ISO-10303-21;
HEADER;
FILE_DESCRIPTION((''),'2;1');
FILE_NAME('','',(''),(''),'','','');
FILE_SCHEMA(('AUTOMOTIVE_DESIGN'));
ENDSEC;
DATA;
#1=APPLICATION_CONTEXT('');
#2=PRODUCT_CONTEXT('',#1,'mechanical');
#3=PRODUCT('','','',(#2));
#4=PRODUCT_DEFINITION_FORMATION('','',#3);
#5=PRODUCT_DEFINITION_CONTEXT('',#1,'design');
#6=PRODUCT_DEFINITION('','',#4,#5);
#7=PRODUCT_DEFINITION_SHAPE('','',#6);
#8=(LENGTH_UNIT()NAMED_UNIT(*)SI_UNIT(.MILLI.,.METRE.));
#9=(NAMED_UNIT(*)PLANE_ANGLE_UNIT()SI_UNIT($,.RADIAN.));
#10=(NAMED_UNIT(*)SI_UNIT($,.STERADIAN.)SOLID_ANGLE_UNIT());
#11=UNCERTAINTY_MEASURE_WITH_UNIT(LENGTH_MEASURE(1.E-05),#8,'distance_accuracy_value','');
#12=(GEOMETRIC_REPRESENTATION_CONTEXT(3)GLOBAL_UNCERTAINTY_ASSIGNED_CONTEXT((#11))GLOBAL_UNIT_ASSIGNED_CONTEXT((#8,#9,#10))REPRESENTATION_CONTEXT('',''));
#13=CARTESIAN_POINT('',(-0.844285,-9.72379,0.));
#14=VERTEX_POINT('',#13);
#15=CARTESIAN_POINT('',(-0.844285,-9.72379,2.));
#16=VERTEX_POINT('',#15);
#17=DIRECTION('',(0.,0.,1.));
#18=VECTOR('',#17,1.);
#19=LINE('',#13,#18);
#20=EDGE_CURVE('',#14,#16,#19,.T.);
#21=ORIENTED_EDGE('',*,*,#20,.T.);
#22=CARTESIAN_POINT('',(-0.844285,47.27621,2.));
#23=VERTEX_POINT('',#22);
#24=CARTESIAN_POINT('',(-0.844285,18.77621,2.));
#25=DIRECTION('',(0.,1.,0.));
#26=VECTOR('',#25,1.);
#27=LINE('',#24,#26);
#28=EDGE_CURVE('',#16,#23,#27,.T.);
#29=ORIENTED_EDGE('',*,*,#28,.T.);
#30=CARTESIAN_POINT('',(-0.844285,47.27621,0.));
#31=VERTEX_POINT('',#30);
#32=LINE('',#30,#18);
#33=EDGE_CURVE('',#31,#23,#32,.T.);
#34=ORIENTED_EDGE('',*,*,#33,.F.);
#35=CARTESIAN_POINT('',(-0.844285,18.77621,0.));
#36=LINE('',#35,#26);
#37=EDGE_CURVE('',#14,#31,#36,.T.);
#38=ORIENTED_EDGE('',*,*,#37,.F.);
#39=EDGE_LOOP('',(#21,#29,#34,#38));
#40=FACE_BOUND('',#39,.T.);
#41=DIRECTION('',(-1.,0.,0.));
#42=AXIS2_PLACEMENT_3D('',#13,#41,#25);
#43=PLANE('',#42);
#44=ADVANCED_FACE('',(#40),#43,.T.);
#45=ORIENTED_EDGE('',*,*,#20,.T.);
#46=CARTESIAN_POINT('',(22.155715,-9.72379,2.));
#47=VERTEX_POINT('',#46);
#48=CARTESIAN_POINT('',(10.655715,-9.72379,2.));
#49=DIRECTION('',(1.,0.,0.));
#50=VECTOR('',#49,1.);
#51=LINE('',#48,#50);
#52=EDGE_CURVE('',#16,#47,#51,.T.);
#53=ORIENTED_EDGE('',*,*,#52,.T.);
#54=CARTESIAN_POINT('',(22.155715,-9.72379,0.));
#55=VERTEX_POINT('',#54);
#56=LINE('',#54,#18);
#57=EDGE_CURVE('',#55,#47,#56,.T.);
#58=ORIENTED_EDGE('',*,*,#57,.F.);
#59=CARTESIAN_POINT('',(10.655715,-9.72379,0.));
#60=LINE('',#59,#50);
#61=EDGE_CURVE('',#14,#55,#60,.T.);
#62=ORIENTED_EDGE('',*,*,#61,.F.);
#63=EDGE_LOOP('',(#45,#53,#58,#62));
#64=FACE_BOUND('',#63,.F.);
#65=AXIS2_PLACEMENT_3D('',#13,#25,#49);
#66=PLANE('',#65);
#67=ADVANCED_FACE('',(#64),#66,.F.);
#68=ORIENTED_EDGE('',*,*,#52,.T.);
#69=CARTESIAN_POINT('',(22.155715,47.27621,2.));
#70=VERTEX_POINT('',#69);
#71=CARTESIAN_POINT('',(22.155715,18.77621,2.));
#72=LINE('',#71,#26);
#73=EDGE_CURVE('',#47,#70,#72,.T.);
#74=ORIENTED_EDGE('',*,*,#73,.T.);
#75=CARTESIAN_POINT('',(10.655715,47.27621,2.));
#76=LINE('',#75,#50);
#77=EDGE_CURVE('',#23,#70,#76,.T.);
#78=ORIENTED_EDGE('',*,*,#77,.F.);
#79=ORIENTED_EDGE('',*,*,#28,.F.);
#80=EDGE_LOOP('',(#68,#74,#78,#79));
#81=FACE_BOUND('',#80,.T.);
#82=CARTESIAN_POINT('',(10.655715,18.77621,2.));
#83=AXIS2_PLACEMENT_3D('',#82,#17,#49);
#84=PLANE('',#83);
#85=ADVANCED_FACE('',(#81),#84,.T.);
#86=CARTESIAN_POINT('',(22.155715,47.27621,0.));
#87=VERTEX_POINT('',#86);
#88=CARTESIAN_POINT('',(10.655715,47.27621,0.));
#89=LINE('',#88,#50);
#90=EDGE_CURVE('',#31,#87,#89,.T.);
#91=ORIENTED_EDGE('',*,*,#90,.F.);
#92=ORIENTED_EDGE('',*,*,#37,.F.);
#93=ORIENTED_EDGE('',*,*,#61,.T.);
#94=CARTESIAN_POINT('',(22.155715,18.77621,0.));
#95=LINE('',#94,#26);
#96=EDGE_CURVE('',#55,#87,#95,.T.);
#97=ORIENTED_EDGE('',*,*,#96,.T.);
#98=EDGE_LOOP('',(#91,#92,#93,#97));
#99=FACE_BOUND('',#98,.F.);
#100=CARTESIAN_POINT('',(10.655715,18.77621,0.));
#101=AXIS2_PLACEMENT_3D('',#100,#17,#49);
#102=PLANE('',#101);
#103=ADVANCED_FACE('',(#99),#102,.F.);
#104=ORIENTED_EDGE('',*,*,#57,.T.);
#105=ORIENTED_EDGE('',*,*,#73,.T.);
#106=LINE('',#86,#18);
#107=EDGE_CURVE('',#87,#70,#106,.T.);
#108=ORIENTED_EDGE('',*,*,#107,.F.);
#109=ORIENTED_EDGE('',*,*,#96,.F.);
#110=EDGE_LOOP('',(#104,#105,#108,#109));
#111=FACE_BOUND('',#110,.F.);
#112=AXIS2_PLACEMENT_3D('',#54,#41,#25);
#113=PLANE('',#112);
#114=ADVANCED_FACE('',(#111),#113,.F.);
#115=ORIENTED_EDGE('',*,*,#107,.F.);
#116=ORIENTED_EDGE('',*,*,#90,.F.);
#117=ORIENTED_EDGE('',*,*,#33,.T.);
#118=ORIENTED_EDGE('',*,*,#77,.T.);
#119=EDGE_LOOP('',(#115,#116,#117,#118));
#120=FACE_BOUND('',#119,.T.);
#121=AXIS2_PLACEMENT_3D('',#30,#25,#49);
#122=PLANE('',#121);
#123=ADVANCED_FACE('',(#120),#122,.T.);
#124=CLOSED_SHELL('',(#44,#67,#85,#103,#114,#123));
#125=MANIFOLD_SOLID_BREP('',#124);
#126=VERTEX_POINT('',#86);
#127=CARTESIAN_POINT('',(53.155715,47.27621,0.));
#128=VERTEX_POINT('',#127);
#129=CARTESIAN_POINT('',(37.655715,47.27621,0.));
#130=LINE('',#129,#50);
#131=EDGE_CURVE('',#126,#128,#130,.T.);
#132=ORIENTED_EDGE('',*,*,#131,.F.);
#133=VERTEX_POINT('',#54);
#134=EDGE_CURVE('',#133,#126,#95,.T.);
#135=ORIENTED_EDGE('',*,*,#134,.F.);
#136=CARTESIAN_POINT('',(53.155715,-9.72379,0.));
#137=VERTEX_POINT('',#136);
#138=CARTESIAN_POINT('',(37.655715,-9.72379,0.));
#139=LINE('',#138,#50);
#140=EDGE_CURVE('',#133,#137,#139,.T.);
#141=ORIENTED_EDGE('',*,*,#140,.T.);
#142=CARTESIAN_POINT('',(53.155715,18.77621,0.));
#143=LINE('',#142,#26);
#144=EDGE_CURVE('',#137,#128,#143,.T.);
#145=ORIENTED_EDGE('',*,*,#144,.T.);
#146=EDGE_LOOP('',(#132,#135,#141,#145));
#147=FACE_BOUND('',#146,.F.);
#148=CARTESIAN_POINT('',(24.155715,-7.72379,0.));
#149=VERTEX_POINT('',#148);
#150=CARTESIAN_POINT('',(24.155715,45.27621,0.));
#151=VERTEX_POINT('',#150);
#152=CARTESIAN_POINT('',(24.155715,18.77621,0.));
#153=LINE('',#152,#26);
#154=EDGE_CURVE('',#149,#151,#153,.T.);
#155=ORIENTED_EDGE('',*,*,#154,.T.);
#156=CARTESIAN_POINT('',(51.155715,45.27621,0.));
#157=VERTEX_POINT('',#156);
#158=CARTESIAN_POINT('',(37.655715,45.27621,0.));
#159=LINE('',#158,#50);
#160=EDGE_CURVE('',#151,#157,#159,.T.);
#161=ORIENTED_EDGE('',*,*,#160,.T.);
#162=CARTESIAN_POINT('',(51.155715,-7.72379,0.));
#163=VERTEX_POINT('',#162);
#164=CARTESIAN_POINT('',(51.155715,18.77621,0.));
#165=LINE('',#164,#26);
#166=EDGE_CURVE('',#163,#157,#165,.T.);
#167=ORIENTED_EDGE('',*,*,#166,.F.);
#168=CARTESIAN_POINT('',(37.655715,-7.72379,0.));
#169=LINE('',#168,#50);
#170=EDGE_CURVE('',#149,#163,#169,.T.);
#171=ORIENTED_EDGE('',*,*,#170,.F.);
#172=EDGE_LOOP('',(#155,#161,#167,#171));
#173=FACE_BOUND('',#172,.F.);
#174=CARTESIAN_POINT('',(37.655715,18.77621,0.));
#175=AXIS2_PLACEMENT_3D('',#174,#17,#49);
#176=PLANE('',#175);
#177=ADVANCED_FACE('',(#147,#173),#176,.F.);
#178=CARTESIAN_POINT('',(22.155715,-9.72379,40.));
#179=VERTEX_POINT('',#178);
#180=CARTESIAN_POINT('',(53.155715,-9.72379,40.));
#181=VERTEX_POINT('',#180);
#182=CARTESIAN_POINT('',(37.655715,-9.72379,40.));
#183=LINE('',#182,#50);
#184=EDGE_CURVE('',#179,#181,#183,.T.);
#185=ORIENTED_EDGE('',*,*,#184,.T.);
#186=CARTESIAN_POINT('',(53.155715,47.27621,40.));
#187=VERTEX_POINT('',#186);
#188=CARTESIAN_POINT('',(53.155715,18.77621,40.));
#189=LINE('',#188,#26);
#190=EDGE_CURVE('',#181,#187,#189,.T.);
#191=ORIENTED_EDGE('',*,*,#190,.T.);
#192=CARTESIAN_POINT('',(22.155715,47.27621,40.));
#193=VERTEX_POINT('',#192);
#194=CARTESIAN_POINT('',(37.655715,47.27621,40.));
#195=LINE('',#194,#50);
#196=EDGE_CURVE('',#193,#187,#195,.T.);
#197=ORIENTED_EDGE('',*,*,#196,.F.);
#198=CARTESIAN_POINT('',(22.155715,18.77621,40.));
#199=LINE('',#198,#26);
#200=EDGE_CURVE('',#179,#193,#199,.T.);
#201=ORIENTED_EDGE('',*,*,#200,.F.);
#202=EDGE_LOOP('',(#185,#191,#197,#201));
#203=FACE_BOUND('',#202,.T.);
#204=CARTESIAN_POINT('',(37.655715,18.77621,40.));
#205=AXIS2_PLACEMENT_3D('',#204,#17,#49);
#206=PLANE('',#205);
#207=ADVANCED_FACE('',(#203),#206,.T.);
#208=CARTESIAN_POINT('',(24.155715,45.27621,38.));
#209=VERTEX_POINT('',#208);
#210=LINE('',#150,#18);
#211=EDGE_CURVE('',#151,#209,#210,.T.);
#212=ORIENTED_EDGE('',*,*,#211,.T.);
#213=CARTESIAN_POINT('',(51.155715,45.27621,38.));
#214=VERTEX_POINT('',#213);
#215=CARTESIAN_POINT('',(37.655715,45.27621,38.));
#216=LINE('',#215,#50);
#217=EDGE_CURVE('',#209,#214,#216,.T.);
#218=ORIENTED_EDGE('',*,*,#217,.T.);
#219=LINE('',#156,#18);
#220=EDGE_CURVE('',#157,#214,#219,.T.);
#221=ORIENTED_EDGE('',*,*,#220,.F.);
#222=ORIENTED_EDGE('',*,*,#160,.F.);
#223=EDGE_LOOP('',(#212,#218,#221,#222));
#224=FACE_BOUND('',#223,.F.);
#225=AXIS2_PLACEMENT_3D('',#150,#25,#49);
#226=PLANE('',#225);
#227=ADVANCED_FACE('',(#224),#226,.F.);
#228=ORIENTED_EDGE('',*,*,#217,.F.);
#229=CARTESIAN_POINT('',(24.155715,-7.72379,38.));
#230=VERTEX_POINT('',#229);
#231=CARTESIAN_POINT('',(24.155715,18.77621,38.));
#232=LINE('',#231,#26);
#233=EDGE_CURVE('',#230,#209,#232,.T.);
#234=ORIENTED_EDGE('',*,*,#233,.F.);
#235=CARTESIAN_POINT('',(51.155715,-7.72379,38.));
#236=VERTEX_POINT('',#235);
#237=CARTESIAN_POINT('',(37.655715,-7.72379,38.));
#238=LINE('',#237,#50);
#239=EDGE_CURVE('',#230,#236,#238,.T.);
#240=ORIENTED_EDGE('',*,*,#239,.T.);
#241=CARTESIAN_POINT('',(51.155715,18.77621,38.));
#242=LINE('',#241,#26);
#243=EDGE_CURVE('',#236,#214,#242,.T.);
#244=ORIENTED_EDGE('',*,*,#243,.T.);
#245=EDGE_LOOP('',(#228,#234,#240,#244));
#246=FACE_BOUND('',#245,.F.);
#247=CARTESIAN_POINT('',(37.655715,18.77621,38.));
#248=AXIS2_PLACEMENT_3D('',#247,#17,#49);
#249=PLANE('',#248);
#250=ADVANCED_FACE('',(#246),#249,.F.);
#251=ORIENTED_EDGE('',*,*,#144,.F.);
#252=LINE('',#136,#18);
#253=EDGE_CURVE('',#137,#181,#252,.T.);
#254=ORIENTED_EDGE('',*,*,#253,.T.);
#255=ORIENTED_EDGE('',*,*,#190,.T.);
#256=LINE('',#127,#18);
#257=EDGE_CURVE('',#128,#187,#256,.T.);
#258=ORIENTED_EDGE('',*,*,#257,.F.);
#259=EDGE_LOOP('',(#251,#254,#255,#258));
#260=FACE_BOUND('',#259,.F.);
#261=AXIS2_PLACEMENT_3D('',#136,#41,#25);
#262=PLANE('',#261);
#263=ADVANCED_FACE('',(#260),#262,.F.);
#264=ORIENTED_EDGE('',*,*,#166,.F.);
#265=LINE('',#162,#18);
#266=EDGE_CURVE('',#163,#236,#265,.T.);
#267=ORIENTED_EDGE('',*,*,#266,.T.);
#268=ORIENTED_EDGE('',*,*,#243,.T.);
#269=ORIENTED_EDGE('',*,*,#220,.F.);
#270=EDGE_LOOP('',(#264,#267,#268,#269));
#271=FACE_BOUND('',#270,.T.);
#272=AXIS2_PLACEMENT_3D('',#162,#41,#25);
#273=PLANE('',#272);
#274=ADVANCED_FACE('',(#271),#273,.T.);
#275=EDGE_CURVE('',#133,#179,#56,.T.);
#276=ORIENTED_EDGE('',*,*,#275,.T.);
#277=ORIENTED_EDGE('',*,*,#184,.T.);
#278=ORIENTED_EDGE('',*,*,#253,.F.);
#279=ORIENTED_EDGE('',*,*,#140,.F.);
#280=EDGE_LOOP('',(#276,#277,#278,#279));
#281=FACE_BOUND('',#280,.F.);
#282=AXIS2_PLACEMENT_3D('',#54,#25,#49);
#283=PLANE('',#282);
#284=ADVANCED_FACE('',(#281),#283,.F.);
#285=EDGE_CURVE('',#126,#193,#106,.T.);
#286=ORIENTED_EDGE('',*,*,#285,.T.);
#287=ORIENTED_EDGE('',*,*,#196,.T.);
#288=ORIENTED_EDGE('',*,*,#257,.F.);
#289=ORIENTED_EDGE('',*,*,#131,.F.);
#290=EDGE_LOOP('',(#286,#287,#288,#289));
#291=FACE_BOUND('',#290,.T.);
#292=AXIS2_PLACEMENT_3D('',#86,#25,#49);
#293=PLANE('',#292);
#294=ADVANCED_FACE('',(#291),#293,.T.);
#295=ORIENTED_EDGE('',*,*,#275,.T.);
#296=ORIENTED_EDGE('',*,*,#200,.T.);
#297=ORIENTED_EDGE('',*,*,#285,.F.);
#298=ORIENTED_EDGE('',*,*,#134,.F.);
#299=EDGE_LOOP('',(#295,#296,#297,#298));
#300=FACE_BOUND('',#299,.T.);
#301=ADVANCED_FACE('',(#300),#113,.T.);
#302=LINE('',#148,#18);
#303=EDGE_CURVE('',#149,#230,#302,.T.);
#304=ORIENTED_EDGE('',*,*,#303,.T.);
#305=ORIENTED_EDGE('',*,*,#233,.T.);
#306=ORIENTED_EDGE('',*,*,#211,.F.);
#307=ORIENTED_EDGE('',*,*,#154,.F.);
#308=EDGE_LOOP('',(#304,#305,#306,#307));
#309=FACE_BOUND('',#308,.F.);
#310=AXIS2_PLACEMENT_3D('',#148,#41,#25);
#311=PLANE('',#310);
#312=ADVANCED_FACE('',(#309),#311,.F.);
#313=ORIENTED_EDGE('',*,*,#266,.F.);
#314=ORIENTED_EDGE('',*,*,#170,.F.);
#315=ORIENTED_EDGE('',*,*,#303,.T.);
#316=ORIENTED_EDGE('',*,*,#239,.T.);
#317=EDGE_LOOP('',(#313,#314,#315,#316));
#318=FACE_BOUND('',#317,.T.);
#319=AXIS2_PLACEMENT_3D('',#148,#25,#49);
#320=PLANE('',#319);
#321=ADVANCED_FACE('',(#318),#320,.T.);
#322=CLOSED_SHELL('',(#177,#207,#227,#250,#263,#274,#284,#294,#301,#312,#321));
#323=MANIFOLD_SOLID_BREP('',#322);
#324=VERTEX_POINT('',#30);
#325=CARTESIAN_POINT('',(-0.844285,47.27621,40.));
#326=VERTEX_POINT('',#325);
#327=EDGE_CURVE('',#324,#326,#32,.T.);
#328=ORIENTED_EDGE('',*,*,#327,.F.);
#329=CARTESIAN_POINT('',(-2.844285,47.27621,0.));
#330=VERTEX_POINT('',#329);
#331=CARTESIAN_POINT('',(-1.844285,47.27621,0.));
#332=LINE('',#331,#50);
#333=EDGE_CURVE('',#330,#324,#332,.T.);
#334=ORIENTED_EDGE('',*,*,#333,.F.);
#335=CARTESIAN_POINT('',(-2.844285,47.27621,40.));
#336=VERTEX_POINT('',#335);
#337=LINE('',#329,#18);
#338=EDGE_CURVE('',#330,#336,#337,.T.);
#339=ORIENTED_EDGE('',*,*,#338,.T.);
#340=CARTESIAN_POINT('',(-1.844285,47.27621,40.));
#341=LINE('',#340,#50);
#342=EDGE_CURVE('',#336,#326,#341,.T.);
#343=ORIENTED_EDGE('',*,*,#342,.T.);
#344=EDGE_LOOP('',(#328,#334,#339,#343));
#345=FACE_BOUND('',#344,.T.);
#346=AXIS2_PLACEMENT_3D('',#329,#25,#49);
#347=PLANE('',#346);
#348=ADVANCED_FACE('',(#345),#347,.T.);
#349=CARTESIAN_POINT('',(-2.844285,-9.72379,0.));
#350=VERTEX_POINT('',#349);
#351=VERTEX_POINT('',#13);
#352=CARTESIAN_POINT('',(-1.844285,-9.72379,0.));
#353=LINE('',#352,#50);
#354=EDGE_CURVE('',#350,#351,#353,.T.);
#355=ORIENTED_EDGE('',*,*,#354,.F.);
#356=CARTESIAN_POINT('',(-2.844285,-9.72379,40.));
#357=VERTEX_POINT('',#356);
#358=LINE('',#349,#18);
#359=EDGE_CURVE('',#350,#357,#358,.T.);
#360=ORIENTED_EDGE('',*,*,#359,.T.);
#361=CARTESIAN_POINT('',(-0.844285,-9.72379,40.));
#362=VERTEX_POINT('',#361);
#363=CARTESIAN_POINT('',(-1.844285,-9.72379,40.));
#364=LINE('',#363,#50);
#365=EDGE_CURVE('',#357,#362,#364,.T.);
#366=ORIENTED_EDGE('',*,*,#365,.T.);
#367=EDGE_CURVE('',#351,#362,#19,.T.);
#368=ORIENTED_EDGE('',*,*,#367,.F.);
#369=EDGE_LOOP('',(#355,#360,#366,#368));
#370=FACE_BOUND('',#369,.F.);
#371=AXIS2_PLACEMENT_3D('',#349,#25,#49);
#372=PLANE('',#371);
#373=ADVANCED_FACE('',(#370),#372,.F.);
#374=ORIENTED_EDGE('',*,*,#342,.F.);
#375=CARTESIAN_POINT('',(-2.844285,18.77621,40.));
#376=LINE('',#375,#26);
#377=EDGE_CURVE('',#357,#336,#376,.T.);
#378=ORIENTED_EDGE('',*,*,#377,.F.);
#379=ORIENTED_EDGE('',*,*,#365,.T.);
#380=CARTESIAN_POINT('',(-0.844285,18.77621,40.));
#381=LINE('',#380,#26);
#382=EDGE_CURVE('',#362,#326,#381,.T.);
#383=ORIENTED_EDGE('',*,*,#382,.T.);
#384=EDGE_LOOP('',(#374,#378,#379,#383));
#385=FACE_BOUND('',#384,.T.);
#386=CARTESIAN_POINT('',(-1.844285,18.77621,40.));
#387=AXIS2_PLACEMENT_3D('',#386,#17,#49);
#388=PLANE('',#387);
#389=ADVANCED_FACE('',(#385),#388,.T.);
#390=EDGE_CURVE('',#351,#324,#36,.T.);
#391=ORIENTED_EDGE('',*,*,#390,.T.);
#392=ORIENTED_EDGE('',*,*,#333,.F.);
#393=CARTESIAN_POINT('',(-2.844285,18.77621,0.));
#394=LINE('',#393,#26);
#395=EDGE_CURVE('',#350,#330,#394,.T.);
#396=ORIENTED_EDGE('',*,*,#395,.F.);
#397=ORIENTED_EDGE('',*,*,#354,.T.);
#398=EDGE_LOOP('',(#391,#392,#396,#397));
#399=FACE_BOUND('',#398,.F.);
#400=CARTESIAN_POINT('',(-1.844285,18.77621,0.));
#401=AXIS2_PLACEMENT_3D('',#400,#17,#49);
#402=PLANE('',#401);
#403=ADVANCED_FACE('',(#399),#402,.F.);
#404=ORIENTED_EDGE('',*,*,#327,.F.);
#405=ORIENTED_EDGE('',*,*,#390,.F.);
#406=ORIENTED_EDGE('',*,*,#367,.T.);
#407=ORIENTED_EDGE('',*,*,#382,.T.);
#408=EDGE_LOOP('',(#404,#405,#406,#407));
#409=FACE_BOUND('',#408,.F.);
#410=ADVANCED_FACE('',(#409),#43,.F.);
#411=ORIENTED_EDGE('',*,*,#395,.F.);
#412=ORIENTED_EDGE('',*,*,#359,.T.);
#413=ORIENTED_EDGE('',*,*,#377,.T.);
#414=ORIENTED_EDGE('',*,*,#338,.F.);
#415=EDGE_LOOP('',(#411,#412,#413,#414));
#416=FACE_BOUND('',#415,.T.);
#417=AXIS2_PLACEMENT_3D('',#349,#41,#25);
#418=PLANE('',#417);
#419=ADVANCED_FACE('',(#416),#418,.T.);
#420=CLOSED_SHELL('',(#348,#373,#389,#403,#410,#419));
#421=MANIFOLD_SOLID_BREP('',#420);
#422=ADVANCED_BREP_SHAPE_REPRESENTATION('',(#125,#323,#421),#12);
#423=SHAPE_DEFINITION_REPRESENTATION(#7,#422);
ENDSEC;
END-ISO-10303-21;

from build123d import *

# Parameters (mm, degrees)
F0_W     = 2
F0_H     = 57
F0_W_2   = 31
F0_W_3   = 27
F0_H_2   = 53
F1_DEPTH = 40
F0_W_4   = 23
F2_DEPTH = 2
F3_DEPTH = 40
F4_DEPTH = 38


with BuildPart() as f1:
    # F0 (on Top) → F1 (new body)
    with BuildSketch(Plane.XY):
        with Locations((-1.844285, 18.77621)):
            Rectangle(F0_W, F0_H)
        with Locations((37.655715, 18.77621)):
            Rectangle(F0_W_2, F0_H)
        with Locations((37.655715, 18.77621)):
            Rectangle(F0_W_3, F0_H_2, mode=Mode.SUBTRACT)
    extrude(amount=F1_DEPTH)

    # F0 (on Top) → F3 (join)
    with BuildSketch(Plane.XY):
        with Locations((37.655715, 18.77621)):
            Rectangle(F0_W_3, F0_H_2)
    extrude(amount=F3_DEPTH)

    # F0 (on Top) → F4 (cut)
    with BuildSketch(Plane.XY):
        with Locations((37.655715, 18.77621)):
            Rectangle(F0_W_3, F0_H_2)
    extrude(amount=F4_DEPTH, mode=Mode.SUBTRACT)


with BuildPart() as f2:
    # F0 (on Top) → F2 (new body)
    with BuildSketch(Plane.XY):
        with Locations((10.655715, 18.77621)):
            Rectangle(F0_W_4, F0_H)
    extrude(amount=F2_DEPTH)


solid = Compound([f1.part, f2.part])
